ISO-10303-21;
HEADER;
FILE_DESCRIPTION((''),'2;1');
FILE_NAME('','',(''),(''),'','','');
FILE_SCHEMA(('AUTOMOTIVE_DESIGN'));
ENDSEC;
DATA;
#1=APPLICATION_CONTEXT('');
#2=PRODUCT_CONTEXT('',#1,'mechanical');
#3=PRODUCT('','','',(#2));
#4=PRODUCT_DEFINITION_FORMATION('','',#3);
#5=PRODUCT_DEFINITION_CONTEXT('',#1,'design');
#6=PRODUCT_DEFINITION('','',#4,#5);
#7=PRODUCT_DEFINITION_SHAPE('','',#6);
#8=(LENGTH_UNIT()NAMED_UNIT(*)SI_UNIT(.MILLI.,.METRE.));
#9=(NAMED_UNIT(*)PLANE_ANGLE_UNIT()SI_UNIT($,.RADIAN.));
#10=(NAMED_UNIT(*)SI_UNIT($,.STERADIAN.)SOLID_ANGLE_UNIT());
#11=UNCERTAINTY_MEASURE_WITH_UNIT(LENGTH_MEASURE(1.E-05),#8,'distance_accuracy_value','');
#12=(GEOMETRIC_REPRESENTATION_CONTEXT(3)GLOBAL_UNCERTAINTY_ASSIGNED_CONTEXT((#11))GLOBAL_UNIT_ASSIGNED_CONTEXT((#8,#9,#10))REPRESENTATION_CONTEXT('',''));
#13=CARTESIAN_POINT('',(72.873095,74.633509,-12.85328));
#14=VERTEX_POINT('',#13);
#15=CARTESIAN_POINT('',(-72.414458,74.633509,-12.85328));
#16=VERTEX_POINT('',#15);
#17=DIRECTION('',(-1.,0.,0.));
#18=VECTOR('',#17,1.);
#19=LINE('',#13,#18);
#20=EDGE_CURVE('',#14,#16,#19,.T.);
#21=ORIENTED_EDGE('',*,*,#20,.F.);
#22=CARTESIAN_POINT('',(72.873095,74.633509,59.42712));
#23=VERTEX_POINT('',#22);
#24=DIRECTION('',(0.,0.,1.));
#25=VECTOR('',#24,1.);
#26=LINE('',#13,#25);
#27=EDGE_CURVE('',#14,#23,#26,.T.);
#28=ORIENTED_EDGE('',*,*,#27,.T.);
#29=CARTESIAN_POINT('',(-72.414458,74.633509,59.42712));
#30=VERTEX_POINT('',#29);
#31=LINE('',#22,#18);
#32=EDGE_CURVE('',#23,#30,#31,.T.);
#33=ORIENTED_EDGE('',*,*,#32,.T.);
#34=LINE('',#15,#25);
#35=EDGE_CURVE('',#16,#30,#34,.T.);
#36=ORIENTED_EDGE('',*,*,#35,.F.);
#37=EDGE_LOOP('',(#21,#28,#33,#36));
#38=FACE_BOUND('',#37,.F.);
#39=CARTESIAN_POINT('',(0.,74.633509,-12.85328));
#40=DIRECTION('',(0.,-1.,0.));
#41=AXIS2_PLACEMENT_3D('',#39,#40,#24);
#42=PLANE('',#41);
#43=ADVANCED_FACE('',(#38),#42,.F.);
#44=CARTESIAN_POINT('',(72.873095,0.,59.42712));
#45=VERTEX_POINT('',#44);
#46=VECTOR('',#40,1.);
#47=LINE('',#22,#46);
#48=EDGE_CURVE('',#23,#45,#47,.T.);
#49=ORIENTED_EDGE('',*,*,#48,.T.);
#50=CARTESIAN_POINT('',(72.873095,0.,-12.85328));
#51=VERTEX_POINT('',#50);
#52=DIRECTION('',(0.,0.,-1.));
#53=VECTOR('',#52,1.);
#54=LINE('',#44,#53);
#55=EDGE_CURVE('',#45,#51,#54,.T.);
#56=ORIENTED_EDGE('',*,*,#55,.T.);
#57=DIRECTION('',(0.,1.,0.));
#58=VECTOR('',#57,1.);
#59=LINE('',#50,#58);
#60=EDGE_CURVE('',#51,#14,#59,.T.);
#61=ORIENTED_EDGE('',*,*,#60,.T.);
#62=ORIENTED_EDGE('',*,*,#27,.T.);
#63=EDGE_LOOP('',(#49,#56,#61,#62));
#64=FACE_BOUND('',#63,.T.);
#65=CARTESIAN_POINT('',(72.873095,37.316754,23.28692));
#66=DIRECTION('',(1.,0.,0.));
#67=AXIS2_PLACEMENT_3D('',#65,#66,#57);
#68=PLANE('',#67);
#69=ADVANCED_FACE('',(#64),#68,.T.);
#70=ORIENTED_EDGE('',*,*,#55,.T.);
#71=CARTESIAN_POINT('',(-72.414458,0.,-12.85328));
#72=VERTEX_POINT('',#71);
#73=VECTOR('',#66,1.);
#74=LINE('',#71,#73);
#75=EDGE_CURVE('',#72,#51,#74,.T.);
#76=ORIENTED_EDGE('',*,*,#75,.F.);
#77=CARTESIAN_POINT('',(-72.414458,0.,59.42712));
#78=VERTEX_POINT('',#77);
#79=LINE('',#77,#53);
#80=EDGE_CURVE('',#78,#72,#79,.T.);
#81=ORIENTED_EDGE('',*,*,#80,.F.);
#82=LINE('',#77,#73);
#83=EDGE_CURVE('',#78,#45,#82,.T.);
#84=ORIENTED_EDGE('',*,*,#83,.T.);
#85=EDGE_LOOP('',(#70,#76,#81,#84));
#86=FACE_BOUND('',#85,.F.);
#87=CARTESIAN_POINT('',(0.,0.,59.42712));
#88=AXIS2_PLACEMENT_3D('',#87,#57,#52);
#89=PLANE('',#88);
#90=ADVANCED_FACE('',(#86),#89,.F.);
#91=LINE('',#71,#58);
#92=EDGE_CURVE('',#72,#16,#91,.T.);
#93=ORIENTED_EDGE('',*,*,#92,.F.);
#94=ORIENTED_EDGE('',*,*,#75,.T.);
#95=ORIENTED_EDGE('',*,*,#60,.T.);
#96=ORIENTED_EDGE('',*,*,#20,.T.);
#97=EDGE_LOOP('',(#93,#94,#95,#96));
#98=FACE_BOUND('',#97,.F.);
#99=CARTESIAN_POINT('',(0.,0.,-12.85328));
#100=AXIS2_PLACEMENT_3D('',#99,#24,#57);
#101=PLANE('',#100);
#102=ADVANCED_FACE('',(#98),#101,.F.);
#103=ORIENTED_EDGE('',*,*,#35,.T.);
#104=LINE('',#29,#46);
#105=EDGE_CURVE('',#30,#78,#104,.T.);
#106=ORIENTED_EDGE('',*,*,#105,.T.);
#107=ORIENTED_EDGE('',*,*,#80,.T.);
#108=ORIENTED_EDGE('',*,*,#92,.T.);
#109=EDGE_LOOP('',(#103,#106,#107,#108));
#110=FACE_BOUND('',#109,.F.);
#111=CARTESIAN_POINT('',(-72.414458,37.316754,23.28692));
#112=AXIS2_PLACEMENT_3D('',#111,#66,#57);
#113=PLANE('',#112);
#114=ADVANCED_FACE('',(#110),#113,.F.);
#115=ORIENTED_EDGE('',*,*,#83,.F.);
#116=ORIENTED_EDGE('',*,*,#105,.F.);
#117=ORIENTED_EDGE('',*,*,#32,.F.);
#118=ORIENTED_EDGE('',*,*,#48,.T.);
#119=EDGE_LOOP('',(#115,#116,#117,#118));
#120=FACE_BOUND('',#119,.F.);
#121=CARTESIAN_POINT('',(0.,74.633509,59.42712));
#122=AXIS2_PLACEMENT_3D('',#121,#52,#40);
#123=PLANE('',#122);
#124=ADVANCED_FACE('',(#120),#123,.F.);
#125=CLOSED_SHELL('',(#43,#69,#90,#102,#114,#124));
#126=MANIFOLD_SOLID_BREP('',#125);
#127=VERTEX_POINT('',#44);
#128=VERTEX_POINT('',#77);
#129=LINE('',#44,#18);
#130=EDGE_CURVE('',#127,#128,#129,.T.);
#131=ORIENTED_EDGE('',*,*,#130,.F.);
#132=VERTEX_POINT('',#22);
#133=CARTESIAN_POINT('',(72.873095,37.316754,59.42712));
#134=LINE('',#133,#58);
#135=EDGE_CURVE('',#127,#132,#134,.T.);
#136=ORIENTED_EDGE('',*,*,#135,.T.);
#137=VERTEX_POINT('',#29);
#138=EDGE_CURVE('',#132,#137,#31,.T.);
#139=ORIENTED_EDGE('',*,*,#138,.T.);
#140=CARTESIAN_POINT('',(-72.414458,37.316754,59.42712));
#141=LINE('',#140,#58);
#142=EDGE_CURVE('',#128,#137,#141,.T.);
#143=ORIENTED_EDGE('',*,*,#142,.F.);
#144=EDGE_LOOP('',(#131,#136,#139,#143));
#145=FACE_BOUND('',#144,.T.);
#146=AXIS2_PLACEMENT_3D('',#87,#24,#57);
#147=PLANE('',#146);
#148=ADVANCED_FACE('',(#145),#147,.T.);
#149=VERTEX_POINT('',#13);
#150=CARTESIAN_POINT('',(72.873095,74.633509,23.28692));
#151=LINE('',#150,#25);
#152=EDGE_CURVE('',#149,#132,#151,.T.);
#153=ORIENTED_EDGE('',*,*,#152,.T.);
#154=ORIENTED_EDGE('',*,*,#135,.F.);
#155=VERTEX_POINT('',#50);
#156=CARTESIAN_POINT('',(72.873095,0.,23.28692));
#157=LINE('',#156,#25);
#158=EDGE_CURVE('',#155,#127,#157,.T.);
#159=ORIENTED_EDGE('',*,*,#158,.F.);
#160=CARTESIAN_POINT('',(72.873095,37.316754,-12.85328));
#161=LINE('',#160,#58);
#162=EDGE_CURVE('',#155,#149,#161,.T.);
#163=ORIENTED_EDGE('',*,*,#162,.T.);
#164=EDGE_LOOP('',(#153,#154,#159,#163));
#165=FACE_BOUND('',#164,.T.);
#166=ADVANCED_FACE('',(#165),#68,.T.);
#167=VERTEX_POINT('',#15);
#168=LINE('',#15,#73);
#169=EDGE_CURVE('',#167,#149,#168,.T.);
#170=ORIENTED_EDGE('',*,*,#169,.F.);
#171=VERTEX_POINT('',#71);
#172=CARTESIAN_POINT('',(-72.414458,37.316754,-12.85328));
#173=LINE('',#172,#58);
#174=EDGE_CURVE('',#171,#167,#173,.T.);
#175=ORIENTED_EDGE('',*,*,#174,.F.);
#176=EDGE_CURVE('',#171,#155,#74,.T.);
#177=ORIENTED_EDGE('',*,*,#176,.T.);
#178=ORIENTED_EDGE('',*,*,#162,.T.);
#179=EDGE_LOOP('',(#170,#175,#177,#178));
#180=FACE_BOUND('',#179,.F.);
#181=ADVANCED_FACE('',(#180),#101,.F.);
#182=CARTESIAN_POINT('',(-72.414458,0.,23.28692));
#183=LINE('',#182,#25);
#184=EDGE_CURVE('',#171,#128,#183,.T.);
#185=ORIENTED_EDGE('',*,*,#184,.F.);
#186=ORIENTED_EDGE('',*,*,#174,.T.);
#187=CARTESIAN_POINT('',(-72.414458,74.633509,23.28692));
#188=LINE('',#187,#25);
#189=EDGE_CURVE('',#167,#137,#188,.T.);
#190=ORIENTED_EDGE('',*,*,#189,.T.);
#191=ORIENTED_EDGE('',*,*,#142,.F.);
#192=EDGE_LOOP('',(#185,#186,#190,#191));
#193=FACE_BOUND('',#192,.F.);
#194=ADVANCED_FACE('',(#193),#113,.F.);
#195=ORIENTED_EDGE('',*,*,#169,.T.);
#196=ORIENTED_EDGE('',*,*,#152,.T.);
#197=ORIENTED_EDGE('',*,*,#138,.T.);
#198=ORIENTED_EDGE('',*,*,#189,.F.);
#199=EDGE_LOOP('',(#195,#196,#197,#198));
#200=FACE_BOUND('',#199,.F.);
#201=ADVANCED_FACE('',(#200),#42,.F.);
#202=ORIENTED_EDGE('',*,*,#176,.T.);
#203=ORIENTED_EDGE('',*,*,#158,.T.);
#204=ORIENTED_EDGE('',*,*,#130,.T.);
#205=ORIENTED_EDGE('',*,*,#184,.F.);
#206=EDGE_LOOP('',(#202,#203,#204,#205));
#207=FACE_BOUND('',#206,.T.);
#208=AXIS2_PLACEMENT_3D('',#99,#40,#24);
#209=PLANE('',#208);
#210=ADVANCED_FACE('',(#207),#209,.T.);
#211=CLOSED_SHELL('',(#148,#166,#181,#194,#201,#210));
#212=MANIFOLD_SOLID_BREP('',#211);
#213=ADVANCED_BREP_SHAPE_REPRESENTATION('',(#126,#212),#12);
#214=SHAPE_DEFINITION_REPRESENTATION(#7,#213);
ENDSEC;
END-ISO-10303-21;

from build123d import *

# Parameters (mm, degrees)
F1_W          = 74.6335089207
F1_H          = 72.2803995013
F3_DEPTH      = 72.414457798
F3_DEPTH_BACK = 72.8730950505


with BuildPart() as f3:
    # F1 (on Right) → F3 (new body, two sides)
    with BuildSketch(Plane.YZ) as f3_sk:
        with Locations((37.3167544603, 23.2869200408)):
            Rectangle(F1_W, F1_H)
    extrude(amount=-F3_DEPTH)
    extrude(f3_sk.sketch, amount=F3_DEPTH_BACK)


with BuildPart() as f3b:
    # F2 (on face) → F3, piece 2 (new body, two sides)
    with BuildSketch(Plane.YZ) as f3_2_sk:
        Polygon((74.6335089207, 59.4271197915), (0, 59.4271197915), (0, -11.7918103933), (0, -12.8532797098), (74.6335089207, -12.8532797098), align=None)
    extrude(amount=-F3_DEPTH)
    extrude(f3_2_sk.sketch, amount=F3_DEPTH_BACK)


solid = Compound([f3.part, f3b.part])
